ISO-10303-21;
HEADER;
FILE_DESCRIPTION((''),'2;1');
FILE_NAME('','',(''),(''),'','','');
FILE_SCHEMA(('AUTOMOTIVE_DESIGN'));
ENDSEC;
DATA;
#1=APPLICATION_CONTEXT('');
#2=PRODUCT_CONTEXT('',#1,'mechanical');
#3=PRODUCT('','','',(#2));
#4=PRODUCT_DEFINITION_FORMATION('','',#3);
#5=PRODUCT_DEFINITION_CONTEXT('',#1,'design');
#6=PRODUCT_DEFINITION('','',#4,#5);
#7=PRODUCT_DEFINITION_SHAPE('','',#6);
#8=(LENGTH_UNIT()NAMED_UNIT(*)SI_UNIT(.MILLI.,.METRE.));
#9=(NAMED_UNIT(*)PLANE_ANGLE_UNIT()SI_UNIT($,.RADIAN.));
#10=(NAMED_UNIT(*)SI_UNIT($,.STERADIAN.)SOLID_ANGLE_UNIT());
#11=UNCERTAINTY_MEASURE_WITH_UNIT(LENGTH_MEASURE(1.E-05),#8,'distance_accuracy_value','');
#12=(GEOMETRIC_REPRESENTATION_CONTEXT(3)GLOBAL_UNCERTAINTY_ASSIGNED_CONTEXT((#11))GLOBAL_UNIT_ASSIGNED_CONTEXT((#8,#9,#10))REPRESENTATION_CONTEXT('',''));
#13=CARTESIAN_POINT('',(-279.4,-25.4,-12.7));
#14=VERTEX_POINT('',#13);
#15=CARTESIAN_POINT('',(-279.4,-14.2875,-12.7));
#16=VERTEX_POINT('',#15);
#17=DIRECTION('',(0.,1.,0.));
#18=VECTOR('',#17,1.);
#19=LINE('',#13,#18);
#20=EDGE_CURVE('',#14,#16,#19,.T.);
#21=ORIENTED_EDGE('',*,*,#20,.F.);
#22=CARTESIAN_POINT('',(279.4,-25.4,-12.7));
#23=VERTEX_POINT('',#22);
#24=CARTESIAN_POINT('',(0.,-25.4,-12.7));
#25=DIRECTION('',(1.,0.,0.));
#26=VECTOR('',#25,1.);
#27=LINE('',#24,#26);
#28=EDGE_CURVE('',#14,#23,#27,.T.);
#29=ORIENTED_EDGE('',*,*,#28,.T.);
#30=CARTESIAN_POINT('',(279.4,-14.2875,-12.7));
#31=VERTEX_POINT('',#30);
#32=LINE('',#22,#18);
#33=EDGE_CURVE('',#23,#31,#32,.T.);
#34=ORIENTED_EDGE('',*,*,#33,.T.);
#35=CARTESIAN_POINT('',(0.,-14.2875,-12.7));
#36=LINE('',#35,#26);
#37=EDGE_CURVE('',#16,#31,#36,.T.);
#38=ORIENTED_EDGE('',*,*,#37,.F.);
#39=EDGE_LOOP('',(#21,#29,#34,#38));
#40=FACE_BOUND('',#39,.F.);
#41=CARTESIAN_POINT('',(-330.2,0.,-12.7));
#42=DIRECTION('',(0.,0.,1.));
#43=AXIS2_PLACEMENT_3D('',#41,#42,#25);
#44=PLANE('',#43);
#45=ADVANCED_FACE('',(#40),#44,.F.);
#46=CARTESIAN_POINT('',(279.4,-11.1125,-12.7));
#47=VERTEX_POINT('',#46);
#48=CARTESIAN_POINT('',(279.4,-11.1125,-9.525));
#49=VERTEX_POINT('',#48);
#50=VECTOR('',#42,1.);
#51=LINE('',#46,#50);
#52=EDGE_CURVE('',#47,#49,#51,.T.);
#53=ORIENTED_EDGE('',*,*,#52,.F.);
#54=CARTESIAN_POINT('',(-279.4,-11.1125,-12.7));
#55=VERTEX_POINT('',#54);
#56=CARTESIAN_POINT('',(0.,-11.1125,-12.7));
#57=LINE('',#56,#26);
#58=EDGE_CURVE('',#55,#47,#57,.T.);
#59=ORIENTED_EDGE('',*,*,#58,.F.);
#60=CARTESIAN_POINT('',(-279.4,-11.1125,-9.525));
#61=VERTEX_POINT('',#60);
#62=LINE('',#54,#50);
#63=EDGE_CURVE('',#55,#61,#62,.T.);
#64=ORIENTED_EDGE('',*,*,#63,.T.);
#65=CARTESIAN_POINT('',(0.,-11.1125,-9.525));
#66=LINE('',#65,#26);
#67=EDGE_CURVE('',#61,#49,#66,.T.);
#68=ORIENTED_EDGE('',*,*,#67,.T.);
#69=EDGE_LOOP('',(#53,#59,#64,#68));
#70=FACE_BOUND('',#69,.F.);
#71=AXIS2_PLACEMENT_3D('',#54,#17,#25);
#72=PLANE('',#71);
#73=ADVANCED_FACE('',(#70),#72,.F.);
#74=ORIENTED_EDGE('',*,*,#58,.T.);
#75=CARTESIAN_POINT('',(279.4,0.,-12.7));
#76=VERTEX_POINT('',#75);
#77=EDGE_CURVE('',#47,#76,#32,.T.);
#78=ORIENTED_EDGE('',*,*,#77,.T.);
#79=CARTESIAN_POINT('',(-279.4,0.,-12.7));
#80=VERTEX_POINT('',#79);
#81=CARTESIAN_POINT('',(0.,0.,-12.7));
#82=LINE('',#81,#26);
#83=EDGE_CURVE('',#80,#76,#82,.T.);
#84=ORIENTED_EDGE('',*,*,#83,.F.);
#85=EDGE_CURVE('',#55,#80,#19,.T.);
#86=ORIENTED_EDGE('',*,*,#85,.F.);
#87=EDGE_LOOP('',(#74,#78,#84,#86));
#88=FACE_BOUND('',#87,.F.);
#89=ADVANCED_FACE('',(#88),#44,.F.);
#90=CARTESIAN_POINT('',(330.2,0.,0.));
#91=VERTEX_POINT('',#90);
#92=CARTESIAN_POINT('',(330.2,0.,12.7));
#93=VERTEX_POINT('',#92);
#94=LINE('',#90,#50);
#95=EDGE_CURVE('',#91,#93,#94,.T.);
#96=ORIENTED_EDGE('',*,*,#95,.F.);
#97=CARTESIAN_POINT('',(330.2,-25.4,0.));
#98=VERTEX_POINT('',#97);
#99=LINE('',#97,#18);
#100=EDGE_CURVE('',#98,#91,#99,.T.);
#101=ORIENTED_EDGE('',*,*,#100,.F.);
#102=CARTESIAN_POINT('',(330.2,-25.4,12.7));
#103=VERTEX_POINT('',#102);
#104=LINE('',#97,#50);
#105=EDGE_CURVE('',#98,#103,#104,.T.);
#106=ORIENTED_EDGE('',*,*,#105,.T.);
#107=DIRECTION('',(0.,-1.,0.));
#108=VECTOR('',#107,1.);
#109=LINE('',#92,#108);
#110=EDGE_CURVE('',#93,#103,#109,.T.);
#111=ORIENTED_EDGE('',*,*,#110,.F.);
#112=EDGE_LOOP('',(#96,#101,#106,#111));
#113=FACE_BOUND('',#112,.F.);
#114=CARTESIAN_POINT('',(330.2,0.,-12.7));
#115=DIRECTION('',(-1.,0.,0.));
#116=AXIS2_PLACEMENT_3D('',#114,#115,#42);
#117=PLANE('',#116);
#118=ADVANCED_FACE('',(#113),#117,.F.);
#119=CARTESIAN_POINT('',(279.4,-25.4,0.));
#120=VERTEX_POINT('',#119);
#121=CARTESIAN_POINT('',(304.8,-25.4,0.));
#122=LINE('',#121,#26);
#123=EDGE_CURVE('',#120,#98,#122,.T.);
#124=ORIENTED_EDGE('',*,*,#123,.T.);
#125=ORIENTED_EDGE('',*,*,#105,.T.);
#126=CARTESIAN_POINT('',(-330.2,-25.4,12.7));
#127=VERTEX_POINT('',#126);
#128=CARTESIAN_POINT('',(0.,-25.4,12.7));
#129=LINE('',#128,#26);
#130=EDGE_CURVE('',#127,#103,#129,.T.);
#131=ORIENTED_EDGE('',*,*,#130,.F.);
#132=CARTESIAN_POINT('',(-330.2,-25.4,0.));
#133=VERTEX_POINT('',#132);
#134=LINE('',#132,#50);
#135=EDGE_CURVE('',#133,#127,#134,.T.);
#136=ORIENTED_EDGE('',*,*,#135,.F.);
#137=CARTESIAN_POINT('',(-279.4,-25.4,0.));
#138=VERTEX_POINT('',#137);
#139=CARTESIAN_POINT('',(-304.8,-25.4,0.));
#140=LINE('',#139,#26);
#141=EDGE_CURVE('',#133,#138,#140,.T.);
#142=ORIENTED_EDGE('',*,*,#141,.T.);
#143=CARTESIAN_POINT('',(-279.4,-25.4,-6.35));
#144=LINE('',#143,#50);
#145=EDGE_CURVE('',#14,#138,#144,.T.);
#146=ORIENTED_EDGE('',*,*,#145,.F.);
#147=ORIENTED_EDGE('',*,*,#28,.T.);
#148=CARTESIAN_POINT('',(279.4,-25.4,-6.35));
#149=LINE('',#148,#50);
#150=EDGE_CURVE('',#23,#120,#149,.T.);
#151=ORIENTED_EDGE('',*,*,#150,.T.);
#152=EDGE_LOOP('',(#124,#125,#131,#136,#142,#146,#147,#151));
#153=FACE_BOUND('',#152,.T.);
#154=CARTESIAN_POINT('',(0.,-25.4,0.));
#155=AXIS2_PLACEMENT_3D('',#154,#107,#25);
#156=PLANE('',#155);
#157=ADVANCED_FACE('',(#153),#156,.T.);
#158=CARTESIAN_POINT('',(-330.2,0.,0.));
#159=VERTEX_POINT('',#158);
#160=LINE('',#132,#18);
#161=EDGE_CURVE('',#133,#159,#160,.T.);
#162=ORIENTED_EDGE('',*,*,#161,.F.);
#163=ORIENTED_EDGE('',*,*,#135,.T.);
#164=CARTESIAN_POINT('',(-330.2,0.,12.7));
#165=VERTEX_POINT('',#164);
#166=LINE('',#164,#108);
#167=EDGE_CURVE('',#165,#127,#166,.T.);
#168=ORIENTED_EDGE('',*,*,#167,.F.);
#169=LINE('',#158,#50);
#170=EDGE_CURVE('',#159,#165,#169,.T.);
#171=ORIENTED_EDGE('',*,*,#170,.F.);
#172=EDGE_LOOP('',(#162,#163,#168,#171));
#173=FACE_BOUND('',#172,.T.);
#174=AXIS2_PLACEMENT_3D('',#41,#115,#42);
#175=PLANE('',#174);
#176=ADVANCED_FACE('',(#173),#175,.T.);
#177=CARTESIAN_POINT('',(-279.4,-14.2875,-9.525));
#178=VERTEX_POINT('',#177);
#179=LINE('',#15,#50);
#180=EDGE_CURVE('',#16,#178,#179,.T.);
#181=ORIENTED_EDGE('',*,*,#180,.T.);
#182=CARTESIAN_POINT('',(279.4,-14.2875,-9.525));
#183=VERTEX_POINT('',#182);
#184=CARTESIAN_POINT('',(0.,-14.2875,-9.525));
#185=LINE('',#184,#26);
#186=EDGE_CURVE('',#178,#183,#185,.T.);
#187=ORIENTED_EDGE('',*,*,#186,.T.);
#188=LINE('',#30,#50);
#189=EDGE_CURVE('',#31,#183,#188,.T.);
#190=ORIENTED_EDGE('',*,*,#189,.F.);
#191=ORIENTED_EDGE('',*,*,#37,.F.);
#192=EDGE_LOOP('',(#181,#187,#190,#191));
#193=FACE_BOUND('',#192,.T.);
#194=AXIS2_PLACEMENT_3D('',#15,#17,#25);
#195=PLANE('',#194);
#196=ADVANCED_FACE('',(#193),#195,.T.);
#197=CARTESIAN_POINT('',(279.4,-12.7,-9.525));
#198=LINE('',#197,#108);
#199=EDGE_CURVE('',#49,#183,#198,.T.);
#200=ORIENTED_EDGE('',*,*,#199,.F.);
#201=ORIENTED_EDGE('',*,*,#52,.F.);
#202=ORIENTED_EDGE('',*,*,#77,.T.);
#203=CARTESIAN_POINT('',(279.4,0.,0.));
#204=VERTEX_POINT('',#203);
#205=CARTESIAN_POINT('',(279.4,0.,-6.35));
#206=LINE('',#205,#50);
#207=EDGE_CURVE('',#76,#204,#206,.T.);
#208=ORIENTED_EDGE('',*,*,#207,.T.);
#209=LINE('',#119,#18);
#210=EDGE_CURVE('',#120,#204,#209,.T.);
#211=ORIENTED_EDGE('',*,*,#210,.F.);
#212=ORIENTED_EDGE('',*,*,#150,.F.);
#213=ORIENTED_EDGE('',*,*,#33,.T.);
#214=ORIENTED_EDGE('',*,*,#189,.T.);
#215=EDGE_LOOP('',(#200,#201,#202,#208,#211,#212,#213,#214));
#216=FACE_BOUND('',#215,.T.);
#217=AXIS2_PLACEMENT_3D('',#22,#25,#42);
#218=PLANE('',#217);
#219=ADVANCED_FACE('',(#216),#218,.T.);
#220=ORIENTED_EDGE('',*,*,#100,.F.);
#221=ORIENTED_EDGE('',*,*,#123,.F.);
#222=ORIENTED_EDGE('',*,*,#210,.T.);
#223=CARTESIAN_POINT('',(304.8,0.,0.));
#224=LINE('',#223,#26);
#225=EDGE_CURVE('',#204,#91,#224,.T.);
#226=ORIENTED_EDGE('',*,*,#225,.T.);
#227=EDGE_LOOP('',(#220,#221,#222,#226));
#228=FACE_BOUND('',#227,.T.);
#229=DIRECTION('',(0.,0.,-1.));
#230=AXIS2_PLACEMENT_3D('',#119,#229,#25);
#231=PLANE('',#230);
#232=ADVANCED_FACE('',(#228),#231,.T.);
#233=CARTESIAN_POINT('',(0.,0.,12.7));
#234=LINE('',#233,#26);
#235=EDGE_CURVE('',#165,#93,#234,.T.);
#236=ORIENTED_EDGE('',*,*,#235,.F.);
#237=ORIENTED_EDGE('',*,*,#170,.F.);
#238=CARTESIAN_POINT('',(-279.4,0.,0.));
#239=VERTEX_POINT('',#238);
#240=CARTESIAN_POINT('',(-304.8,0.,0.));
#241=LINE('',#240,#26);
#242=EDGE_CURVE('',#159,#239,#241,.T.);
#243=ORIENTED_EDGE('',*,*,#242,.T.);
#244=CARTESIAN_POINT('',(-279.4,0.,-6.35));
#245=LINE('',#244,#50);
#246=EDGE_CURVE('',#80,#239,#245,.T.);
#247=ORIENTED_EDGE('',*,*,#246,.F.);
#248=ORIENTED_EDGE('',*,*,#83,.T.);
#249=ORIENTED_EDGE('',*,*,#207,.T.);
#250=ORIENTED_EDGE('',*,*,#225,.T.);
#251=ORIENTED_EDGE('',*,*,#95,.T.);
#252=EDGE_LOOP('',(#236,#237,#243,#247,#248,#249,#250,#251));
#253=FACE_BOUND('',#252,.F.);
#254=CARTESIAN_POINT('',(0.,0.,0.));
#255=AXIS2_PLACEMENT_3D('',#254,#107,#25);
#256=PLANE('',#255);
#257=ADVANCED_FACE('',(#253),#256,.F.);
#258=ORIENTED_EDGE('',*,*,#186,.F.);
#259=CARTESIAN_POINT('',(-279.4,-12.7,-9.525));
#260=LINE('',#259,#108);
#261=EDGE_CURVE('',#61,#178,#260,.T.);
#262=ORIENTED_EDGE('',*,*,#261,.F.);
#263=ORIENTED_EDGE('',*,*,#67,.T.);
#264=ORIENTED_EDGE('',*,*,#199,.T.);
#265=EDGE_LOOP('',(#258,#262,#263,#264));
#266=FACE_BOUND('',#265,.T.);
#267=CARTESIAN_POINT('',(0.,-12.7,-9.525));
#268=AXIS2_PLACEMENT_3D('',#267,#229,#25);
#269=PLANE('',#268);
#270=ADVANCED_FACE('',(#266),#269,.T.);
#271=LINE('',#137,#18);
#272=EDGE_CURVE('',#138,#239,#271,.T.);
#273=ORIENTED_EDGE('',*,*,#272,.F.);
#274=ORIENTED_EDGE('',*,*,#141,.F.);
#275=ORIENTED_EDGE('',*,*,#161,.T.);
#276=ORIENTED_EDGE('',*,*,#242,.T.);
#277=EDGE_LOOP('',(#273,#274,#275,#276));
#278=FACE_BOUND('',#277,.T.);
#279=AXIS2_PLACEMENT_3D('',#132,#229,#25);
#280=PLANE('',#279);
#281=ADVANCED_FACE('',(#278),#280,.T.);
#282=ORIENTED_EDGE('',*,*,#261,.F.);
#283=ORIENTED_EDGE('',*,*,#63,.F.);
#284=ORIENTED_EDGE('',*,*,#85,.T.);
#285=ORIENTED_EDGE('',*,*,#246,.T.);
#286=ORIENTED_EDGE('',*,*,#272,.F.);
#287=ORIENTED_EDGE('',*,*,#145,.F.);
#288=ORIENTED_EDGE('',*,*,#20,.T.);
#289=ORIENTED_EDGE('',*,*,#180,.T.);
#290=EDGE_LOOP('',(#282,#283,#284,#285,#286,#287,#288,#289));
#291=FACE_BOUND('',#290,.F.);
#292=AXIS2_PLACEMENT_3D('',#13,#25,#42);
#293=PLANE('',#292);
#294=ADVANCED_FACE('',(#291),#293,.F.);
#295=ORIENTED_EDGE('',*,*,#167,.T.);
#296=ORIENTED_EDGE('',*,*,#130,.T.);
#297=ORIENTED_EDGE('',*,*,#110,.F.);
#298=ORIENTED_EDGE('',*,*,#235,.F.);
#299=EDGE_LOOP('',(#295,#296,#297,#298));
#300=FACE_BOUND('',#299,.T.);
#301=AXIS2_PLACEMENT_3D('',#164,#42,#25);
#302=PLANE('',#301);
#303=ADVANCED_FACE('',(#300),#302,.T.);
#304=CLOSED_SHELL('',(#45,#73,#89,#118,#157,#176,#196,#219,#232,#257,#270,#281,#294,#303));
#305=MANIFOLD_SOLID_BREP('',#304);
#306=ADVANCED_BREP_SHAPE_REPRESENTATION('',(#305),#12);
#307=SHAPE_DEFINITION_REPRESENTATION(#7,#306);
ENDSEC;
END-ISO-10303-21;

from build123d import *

# Parameters (mm, degrees)
F0_W     = 660.4
F0_H     = 25.4
F1_DEPTH = 25.4
F2_W     = 50.8
F2_H     = 12.7
F3_DEPTH = 25.4
F4_W     = 558.8
F4_H     = 3.175
F5_DEPTH = 3.175


with BuildPart() as f1:
    # F0 (on Front) → F1 (new body)
    with BuildSketch(Plane.XZ):
        Rectangle(F0_W, F0_H)
    extrude(amount=F1_DEPTH)

    # F2 (on face) → F3 (cut)
    with BuildSketch(Plane.XZ.offset(25.4)):
        with Locations((-304.8, -6.35)):
            Rectangle(F2_W, F2_H)
        with Locations((304.8, -6.35)):
            Rectangle(F2_W, F2_H)
    extrude(amount=-F3_DEPTH, mode=Mode.SUBTRACT)

    # F4 (on face) → F5 (cut)
    with BuildSketch(Plane(origin=(0, 0, -12.7), x_dir=(1, 0, 0), z_dir=(0, 0, -1))):
        with Locations((0, 12.7)):
            Rectangle(F4_W, F4_H)
    extrude(amount=-F5_DEPTH, mode=Mode.SUBTRACT)


solid = f1.part
